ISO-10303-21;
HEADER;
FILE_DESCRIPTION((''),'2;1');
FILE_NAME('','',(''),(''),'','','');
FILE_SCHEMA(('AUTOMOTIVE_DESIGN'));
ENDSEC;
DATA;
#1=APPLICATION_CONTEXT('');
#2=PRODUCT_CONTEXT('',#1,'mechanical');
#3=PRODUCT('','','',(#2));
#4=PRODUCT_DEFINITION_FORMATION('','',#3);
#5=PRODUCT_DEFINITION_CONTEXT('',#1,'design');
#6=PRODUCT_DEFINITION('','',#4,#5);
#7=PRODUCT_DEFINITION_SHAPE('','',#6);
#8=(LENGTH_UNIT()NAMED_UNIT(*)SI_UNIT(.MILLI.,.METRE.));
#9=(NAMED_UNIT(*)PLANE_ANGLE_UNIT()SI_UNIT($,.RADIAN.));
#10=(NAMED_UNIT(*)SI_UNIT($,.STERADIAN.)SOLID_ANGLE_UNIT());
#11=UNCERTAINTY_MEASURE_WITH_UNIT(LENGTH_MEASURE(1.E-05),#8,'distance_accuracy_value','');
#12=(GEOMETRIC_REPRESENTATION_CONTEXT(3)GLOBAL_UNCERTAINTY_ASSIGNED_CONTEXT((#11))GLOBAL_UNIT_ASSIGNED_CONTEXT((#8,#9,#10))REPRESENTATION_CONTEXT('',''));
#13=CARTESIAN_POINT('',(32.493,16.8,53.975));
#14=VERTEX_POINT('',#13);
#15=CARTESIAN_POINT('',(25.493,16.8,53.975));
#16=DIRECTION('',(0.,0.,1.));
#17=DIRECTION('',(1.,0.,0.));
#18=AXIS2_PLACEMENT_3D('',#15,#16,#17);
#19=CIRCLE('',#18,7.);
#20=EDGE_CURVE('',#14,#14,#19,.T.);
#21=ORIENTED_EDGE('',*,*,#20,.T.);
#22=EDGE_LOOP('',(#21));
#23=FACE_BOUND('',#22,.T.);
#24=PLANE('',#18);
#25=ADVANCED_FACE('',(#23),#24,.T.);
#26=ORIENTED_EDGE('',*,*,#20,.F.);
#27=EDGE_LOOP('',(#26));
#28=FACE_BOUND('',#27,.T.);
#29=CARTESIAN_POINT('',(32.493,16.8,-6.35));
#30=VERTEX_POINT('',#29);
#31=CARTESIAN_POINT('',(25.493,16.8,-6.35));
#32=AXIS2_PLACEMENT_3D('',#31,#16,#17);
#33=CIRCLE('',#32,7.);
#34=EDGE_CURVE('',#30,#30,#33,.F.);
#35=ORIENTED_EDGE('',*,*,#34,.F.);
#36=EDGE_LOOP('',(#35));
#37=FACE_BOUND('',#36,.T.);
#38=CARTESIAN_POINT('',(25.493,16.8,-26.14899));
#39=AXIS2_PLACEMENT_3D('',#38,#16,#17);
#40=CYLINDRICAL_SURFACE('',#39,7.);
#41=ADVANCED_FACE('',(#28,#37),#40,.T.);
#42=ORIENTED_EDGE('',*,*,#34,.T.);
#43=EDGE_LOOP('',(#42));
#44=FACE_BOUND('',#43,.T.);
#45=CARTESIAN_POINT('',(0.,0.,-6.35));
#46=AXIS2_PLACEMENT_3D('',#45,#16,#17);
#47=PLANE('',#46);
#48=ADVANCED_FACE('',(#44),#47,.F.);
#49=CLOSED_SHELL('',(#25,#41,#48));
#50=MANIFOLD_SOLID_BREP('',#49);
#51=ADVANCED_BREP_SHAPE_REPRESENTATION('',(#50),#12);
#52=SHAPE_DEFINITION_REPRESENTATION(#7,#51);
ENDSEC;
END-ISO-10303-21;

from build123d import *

# Parameters (mm, degrees)
SKETCH1_R                = 2
BOSS_EXTRUDE1_DEPTH      = 6.35
CUT_EXTRUDE1_DEPTH       = 93.473426076
CUT_EXTRUDE1_DEPTH_BACK  = 93.473426076
SKETCH2_R                = 7
BOSS_EXTRUDE2_DEPTH      = 47.625
BOSS_EXTRUDE2_DEPTH_BACK = 12.7
SKETCH5_R                = 7
SKETCH6_R                = 7
BOSS_EXTRUDE3_DEPTH      = 6.35
FILLET1_R                = 6.35
FILLET2_R                = 3.175
SKETCH7_R                = 10.175
SKETCH7_R_2              = 7
BOSS_EXTRUDE4_DEPTH      = 3.175


with BuildPart() as part:
    # Sketch1 → Boss-Extrude1 (new, symmetric)
    # profile 1 of 3: a face of its own
    with BuildSketch(Plane.XY):
        Polygon((22.188571811, 51.670547503), (22.188571811, 37.229452497), (13.9055, 25.4), (13.9055, 0), (52.0055, 0), (52.0055, 25.4), (26.6055, 76.2), (13.9055, 76.2), (13.9055, 63.5), align=None)
        with Locations((33.493, 8.8)):
            Circle(SKETCH1_R, mode=Mode.SUBTRACT)
        with Locations((17.493, 8.8)):
            Circle(SKETCH1_R, mode=Mode.SUBTRACT)
    # profile 2 of 3: a face of its own
    with BuildSketch(Plane.XY):
        with Locations((17.493, 8.8)):
            Circle(SKETCH1_R)
    # profile 3 of 3: a face of its own
    with BuildSketch(Plane.XY):
        with Locations((33.493, 8.8)):
            Circle(SKETCH1_R)
    extrude(amount=BOSS_EXTRUDE1_DEPTH, both=True)

    # Sketch2 → Cut-Extrude1 (cut, two sides: drawn at the far end of the back side and taken through both)
    with BuildSketch(Plane.XY.offset(-CUT_EXTRUDE1_DEPTH_BACK)):
        with Locations((25.493, 16.8)):
            Circle(SKETCH2_R)
    extrude(amount=CUT_EXTRUDE1_DEPTH + CUT_EXTRUDE1_DEPTH_BACK, mode=Mode.SUBTRACT)

    # Fillet2
    fillet2_edges = [part.edges().sort_by_distance(p)[0] for p in [
        (22.188571811, 51.670547503, 0),
        (13.9055, 63.5, 0),
        (13.9055, 76.2, 0),
        (26.6055, 76.2, 0),
        (52.0055, 25.4, 0),
        (52.0055, 0, 0),
        (13.9055, 0, 0),
        (13.9055, 25.4, 0),
        (22.188571811, 37.229452497, 0),
    ]]
    fillet(fillet2_edges, radius=FILLET2_R)


with BuildPart() as body_2:
    # Sketch5 → Boss-Extrude2 (new, two sides: drawn at the far end of the back side and taken through both)
    with BuildSketch(Plane.XY.offset(6.35).offset(-BOSS_EXTRUDE2_DEPTH_BACK)):
        with Locations((25.493, 16.8)):
            Circle(SKETCH5_R)
    extrude(amount=BOSS_EXTRUDE2_DEPTH + BOSS_EXTRUDE2_DEPTH_BACK)


with BuildPart() as body_3:
    # Sketch6 → Boss-Extrude3 (new, symmetric)
    # profile 1 of 2: a face of its own
    with BuildSketch(Plane.XY.offset(15.875)):
        Polygon((0, -22.225), (0, 0), (-14.3805, 0), (-14.3805, 30.15), (-36.6055, 30.15), (-36.6055, -22.225), (-14.3805, -22.225), align=None)
        with Locations((-25.493, 16.8)):
            Circle(SKETCH6_R, mode=Mode.SUBTRACT)
    # profile 2 of 2: a face of its own
    with BuildSketch(Plane.XY.offset(15.875)):
        Polygon((14.3805, 30.15), (14.3805, 0), (0, 0), (0, -22.225), (14.3805, -22.225), (36.6055, -22.225), (36.6055, 30.15), align=None)
        with Locations((25.493, 16.8)):
            Circle(SKETCH6_R, mode=Mode.SUBTRACT)
    extrude(amount=BOSS_EXTRUDE3_DEPTH, both=True)

    # Fillet1
    fillet1_edges = [body_3.edges().sort_by_distance(p)[0] for p in [
        (-14.3805, 0, 15.875),
        (14.3805, 0, 15.875),
        (14.3805, 30.15, 15.875),
        (36.6055, 30.15, 15.875),
        (36.6055, -22.225, 15.875),
        (-36.6055, -22.225, 15.875),
        (-36.6055, 30.15, 15.875),
        (-14.3805, 30.15, 15.875),
    ]]
    fillet(fillet1_edges, radius=FILLET1_R)


with BuildPart() as body_4:
    # Sketch7 → Boss-Extrude4 (new body)
    with BuildSketch(Plane.XY.offset(6.35)):
        with Locations((25.493, 16.8)):
            Circle(SKETCH7_R)
        with Locations((25.493, 16.8)):
            Circle(SKETCH7_R_2, mode=Mode.SUBTRACT)
    extrude(amount=BOSS_EXTRUDE4_DEPTH)


solid = body_2.part
